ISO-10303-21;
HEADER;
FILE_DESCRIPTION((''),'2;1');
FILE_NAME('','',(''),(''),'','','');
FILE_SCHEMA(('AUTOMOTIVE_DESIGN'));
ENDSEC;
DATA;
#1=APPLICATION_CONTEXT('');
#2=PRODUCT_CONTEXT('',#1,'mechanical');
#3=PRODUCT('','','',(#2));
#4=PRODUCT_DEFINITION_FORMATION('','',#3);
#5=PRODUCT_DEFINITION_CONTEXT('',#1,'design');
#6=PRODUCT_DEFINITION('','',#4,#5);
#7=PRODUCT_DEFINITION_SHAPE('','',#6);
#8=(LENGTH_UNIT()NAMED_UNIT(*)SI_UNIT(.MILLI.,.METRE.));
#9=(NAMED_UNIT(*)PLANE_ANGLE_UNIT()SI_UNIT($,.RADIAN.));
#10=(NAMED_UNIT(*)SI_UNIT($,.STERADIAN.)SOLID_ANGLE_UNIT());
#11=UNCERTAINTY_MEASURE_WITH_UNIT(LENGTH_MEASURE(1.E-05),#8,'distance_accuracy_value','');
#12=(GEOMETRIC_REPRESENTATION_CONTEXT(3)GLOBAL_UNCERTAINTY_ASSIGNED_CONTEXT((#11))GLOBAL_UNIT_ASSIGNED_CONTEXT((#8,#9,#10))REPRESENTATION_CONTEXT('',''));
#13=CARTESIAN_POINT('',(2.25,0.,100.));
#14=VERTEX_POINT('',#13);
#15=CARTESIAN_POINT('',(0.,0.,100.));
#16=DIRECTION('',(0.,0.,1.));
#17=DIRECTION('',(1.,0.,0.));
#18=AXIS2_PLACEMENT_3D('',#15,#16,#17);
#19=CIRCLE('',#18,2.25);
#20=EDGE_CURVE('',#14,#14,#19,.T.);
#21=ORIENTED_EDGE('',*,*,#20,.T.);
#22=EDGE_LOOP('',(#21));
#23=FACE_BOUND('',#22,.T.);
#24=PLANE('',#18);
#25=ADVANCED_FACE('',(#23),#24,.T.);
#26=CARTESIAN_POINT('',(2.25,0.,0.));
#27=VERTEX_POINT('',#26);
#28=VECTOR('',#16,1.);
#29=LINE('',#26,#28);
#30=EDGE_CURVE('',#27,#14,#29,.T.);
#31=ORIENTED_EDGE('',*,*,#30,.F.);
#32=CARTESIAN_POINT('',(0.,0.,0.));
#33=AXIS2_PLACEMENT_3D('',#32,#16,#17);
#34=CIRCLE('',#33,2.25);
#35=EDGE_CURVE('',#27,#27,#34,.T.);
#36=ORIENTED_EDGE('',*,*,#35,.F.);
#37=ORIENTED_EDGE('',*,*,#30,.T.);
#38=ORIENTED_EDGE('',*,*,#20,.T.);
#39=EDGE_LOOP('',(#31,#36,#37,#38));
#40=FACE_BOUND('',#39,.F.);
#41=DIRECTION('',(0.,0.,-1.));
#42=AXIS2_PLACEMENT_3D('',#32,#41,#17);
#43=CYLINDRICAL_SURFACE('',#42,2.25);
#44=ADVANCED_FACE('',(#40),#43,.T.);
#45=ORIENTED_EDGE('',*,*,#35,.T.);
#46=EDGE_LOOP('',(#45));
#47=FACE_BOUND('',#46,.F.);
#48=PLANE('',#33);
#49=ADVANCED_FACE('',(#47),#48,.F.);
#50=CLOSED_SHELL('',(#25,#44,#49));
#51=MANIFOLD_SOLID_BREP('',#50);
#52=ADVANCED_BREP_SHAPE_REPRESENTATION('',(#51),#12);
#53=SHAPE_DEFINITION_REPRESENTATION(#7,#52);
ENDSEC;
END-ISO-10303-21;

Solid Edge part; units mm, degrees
sketch "Sketch1" plane through (0, 0, 0) normal (0, 0, 1) x (1, 0, 0)
  circle A0 centre (0, 0) radius 2.25
extrude "Protrusion1" add sketch "Sketch1" along normal blind 100
